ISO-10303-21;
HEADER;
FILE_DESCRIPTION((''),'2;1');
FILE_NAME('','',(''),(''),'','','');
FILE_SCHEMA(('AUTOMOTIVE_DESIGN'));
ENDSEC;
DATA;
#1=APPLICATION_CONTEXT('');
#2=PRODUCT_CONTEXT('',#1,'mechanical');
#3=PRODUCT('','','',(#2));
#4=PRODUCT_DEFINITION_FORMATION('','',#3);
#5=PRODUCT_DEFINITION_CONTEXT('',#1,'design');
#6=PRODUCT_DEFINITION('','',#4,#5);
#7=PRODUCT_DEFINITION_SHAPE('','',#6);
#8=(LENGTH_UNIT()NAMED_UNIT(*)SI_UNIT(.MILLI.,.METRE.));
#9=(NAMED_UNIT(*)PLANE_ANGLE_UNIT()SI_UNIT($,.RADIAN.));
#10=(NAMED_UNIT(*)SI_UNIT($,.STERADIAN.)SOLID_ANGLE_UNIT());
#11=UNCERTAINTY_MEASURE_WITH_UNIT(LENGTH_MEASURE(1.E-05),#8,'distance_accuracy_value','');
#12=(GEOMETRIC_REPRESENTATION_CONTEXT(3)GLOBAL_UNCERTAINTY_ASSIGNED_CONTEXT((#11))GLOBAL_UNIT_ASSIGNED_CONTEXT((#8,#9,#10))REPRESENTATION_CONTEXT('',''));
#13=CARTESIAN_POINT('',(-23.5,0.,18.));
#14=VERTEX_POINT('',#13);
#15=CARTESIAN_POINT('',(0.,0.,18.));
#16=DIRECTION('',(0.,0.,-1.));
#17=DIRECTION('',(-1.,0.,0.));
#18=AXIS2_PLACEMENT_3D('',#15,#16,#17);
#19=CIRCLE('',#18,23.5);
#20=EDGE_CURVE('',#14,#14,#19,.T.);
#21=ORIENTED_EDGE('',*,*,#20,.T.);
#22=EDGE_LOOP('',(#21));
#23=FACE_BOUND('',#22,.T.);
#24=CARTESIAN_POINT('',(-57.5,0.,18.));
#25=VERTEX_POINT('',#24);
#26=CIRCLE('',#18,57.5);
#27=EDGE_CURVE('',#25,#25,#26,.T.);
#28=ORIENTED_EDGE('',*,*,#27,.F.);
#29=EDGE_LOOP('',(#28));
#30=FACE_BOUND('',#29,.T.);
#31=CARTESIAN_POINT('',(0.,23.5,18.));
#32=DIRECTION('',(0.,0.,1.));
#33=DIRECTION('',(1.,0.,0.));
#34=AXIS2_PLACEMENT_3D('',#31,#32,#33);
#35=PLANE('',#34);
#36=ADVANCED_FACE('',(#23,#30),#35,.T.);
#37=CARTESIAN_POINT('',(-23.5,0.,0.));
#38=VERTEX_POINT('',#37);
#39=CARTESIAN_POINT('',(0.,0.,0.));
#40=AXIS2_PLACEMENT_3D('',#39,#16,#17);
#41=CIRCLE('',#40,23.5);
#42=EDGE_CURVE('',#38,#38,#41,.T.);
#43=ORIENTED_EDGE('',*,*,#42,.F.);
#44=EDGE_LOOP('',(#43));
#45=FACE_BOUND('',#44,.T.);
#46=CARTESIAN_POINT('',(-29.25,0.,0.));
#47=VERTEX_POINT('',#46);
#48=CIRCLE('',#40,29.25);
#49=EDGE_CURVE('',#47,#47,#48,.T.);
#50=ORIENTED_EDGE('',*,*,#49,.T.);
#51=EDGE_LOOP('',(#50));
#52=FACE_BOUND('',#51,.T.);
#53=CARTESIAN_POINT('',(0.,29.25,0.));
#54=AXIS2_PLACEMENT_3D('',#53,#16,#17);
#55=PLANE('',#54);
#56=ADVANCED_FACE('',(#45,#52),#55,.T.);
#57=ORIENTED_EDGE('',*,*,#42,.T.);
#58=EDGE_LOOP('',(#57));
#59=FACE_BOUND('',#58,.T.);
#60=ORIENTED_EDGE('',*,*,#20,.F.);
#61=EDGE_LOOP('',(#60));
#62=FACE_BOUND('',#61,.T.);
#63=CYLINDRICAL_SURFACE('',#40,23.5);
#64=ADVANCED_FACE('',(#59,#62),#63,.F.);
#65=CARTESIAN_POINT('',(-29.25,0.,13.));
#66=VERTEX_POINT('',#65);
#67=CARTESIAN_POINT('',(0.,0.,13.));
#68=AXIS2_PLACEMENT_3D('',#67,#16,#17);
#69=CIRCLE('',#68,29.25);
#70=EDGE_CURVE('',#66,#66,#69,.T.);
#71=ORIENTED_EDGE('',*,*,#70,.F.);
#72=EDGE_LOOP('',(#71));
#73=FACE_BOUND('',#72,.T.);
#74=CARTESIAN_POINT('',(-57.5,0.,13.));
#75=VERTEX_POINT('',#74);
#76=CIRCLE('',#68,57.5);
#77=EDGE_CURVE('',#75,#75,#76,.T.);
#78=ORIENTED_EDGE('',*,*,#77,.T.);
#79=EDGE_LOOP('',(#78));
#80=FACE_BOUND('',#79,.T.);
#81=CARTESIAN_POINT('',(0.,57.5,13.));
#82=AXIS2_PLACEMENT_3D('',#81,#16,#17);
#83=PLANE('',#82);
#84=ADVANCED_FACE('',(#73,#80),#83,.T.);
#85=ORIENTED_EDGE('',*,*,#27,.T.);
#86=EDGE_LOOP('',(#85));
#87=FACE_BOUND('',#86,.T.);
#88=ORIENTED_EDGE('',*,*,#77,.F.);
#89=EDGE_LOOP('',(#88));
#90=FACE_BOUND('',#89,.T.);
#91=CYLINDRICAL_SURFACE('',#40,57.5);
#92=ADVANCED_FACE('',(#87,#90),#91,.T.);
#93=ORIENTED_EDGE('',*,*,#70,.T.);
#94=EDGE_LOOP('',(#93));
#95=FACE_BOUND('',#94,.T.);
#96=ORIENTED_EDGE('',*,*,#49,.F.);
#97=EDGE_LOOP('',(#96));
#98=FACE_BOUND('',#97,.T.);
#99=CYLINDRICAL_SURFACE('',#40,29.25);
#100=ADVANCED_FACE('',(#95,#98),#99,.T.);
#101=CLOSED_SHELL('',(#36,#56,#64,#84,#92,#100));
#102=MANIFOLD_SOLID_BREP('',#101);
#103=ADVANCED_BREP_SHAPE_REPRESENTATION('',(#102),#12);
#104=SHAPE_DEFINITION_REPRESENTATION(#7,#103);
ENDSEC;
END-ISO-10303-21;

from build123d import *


with BuildPart() as part:
    # Sketch1 → Revolve1 (revolve)
    with BuildSketch(Plane(origin=(0, 0, 0), x_dir=(0, 0, -1), z_dir=(1, 0, 0)), mode=Mode.PRIVATE) as revolve1_sk:
        Polygon((-18, 57.5), (-13, 57.5), (-13, 29.25), (0, 29.25), (0, 23.5), (-18, 23.5), align=None)
    revolve(revolve1_sk.sketch.rotate(Axis((0, 0, 0), (0, 0, 1)), 90), axis=Axis((0, 0, 0), (0, 0, 1)))


solid = part.part
